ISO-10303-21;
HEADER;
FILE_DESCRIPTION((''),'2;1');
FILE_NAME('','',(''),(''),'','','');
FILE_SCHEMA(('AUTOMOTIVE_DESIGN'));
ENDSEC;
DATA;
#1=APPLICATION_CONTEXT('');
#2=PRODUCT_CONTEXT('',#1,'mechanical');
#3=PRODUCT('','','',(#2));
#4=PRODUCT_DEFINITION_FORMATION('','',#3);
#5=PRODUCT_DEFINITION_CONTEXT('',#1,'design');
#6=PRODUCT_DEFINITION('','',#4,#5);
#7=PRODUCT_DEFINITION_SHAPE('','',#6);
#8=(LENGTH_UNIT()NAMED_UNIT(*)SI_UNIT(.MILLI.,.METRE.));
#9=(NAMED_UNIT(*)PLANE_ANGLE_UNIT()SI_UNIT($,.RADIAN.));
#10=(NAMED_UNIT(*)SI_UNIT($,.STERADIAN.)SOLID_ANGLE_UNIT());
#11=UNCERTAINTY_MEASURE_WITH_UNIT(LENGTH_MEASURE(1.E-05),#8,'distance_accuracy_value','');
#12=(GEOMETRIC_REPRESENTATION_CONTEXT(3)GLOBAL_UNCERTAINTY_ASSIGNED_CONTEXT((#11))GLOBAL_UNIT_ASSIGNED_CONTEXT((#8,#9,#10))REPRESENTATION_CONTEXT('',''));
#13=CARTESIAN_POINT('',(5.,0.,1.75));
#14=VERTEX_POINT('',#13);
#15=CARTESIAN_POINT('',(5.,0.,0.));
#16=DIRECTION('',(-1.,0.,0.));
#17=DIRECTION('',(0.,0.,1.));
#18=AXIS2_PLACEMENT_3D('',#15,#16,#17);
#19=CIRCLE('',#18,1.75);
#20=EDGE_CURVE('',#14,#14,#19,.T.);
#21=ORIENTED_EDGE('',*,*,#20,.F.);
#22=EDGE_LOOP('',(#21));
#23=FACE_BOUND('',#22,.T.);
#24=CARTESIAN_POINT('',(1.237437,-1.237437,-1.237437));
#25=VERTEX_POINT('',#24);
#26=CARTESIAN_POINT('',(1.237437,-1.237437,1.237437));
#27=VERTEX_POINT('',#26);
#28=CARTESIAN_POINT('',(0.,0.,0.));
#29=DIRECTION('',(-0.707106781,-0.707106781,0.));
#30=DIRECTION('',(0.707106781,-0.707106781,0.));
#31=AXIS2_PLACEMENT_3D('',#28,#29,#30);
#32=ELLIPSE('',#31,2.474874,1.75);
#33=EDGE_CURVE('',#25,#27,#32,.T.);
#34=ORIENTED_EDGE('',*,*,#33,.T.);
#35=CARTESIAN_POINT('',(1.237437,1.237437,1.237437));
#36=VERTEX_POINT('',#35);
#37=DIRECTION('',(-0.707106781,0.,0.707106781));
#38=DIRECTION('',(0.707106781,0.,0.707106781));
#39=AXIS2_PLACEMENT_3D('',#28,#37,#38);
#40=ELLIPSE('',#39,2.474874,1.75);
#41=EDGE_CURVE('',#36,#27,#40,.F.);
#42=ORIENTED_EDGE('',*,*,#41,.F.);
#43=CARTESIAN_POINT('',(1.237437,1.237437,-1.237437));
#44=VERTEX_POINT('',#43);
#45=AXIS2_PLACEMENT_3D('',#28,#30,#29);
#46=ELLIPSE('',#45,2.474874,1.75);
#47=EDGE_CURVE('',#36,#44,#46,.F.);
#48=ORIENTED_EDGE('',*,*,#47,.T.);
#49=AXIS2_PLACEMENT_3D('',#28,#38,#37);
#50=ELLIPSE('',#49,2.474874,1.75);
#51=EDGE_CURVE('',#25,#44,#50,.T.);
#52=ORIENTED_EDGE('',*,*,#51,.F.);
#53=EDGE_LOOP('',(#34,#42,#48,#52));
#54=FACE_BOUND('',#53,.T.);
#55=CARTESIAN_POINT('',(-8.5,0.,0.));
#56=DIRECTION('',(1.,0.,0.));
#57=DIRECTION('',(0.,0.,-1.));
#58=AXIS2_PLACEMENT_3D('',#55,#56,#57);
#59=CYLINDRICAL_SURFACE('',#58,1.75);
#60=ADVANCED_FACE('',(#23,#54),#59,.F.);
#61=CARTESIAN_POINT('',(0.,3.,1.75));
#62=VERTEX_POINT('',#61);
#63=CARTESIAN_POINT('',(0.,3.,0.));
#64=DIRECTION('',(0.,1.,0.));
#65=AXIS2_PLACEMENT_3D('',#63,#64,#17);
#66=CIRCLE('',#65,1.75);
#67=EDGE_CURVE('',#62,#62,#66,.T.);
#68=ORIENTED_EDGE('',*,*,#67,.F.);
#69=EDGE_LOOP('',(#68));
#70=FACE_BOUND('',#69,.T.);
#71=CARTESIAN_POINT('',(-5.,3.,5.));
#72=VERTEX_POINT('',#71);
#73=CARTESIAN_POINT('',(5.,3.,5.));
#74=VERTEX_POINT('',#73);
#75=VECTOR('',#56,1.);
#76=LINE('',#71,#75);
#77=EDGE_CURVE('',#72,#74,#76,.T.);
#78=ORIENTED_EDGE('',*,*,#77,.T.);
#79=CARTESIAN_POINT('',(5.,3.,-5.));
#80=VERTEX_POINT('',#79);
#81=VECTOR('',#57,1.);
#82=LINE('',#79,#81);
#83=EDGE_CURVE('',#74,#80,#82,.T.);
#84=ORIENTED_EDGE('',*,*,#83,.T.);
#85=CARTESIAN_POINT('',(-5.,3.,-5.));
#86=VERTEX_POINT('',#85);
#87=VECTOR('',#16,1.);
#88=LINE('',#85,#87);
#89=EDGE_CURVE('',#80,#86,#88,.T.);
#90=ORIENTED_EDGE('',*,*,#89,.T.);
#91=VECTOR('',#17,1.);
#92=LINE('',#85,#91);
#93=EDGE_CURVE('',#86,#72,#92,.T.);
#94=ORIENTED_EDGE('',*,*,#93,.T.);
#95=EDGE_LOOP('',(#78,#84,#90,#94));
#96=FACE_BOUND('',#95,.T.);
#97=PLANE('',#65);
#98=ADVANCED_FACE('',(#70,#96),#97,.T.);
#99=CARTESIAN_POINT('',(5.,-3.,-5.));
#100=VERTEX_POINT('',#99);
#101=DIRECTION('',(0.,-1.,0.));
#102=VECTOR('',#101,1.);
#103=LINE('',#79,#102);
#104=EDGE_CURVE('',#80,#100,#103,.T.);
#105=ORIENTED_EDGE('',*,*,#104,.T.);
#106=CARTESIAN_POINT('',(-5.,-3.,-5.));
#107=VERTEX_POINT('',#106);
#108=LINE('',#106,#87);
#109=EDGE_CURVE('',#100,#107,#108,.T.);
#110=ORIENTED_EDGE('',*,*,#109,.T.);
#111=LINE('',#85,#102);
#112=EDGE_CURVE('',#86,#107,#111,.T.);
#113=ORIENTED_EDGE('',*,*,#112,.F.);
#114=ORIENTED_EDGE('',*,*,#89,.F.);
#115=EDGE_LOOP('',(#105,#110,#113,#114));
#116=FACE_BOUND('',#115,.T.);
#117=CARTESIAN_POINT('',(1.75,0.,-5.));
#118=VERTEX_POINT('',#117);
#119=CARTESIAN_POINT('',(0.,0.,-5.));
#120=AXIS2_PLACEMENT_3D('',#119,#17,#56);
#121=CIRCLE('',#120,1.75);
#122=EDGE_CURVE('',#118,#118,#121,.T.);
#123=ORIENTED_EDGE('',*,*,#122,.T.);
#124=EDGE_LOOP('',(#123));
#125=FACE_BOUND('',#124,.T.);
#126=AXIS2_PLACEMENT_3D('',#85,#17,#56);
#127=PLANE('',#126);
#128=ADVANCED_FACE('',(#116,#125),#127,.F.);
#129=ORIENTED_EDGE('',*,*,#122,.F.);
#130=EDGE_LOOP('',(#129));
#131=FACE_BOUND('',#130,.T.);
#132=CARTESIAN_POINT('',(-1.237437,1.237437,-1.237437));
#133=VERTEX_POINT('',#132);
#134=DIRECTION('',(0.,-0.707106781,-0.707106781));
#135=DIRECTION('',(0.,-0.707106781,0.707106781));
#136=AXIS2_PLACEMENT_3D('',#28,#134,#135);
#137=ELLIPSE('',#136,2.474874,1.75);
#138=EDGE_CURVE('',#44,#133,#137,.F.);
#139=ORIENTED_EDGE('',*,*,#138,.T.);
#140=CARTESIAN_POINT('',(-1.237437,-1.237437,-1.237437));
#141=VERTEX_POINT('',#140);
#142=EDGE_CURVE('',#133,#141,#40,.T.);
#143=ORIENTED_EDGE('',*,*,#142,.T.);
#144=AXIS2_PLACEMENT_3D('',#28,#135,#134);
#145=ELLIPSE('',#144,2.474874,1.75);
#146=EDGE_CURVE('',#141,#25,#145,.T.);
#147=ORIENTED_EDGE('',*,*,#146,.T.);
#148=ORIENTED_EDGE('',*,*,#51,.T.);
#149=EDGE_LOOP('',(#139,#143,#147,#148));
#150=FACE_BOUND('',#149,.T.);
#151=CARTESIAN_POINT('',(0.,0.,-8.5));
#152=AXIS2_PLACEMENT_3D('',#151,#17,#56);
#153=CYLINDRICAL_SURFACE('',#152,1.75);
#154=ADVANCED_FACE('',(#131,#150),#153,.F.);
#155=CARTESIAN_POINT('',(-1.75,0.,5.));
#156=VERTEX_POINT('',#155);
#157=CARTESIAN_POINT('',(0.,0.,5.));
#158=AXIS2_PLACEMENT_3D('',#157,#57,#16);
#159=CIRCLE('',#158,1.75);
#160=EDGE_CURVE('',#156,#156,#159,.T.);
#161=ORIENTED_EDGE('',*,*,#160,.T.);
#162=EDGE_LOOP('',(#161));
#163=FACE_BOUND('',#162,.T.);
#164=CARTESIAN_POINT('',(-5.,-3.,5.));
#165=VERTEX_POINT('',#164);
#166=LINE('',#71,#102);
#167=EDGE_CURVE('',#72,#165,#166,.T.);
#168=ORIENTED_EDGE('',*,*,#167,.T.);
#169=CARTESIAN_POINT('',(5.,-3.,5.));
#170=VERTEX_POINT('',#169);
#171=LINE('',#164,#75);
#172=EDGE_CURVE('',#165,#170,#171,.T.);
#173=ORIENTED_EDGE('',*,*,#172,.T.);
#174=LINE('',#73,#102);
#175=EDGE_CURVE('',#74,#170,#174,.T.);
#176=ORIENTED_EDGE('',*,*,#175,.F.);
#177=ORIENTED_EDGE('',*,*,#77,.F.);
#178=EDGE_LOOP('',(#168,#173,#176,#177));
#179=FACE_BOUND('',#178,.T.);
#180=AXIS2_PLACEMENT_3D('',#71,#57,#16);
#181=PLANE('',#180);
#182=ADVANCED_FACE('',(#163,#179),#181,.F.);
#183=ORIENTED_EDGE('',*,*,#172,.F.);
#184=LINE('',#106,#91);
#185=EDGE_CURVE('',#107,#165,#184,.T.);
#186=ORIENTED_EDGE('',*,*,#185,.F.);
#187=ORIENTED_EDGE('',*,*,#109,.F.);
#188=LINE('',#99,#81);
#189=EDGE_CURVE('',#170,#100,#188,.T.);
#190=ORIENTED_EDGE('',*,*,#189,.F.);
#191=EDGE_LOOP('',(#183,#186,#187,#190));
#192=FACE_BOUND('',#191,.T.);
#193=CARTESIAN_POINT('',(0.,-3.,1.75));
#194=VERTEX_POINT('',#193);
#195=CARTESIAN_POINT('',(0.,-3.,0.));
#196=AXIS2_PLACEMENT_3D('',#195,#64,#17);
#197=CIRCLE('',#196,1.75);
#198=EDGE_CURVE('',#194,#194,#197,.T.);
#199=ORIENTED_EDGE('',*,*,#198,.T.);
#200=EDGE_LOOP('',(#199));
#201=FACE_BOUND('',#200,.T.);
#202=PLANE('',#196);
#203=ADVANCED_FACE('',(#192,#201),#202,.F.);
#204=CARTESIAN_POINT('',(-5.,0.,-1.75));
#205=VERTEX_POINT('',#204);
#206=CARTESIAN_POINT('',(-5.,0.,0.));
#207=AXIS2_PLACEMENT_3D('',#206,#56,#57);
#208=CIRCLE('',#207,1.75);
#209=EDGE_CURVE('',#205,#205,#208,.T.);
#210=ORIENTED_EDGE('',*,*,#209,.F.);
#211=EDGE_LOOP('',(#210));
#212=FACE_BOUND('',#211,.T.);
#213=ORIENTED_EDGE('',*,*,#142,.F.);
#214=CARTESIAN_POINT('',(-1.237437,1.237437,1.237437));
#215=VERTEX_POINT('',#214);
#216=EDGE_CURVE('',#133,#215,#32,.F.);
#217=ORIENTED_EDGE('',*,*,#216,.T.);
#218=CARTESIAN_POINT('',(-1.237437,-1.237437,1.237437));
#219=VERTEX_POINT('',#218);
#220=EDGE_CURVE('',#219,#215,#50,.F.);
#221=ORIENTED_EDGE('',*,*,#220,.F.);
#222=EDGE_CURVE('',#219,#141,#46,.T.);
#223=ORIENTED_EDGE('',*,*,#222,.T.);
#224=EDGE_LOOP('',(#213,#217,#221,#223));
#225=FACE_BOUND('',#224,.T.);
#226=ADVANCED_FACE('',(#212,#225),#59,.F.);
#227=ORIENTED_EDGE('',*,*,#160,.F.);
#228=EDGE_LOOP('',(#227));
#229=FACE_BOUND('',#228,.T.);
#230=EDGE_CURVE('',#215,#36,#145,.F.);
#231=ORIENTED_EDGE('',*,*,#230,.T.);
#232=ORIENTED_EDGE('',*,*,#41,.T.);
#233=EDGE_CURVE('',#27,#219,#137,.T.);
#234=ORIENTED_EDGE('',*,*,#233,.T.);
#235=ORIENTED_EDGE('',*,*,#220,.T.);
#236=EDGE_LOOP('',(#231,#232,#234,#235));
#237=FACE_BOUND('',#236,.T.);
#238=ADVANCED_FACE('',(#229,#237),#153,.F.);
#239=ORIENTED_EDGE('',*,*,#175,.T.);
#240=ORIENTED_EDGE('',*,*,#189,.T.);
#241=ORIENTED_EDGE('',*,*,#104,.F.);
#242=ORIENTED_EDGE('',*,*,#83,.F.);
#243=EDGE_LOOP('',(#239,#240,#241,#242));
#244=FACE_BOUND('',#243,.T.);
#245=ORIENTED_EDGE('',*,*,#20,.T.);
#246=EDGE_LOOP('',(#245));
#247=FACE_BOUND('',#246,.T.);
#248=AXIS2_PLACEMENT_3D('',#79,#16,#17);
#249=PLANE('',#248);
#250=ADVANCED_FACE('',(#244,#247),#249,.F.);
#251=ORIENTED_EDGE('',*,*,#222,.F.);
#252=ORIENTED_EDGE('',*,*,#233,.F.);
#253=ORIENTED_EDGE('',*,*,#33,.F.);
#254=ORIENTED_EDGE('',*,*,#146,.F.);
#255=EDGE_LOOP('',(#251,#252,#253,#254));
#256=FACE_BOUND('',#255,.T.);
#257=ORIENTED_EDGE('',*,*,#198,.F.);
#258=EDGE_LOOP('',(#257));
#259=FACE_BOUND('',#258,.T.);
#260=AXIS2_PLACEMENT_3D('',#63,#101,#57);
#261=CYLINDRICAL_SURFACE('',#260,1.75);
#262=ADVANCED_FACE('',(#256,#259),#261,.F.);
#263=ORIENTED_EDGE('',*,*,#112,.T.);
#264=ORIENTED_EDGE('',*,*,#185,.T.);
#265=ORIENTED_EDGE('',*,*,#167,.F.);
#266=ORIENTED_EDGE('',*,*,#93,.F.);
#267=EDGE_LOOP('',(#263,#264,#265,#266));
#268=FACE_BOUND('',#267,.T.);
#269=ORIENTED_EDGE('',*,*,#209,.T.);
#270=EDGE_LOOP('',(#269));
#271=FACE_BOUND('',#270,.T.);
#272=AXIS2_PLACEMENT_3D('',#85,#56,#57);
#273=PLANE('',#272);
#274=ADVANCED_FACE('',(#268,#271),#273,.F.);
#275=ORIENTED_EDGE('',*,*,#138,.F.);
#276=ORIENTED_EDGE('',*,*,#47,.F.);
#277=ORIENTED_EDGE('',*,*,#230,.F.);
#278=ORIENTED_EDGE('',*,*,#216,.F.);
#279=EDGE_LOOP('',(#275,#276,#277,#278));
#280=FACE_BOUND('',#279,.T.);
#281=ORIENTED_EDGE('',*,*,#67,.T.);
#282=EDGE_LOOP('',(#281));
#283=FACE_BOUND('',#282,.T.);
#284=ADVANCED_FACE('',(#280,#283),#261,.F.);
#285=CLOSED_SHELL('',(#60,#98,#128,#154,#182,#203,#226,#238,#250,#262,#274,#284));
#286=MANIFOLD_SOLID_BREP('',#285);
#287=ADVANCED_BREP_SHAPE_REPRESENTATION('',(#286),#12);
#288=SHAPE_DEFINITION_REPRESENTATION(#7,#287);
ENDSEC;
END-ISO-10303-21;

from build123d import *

# Parameters (mm, degrees)
SKETCH_1_W          = 10
SKETCH_1_H          = 10
SKETCH_1_R          = 1.75
EXTRUDE_1_DEPTH     = 3
SKETCH_3_R          = 1.75
CUT_EXTRUDE_1_DEPTH = 8.5
SKETCH_4_R          = 1.75
CUT_EXTRUDE_2_DEPTH = 8.5


with BuildPart() as part:
    # 草图1 → 凸台-拉伸1 (new body, symmetric)
    with BuildSketch(Plane(origin=(0, 0, 0), x_dir=(1, 0, 0), z_dir=(0, 1, 0))):
        Rectangle(SKETCH_1_W, SKETCH_1_H)
        Circle(SKETCH_1_R, mode=Mode.SUBTRACT)
    extrude(amount=EXTRUDE_1_DEPTH, both=True)

    # 草图3 → 切除-拉伸1 (cut, symmetric)
    with BuildSketch(Plane.XY):
        Circle(SKETCH_3_R)
    extrude(amount=CUT_EXTRUDE_1_DEPTH, both=True, mode=Mode.SUBTRACT)

    # 草图4 → 切除-拉伸2 (cut, symmetric)
    with BuildSketch(Plane(origin=(0, 0, 0), x_dir=(0, 0, -1), z_dir=(1, 0, 0))):
        Circle(SKETCH_4_R)
    extrude(amount=CUT_EXTRUDE_2_DEPTH, both=True, mode=Mode.SUBTRACT)


solid = part.part
